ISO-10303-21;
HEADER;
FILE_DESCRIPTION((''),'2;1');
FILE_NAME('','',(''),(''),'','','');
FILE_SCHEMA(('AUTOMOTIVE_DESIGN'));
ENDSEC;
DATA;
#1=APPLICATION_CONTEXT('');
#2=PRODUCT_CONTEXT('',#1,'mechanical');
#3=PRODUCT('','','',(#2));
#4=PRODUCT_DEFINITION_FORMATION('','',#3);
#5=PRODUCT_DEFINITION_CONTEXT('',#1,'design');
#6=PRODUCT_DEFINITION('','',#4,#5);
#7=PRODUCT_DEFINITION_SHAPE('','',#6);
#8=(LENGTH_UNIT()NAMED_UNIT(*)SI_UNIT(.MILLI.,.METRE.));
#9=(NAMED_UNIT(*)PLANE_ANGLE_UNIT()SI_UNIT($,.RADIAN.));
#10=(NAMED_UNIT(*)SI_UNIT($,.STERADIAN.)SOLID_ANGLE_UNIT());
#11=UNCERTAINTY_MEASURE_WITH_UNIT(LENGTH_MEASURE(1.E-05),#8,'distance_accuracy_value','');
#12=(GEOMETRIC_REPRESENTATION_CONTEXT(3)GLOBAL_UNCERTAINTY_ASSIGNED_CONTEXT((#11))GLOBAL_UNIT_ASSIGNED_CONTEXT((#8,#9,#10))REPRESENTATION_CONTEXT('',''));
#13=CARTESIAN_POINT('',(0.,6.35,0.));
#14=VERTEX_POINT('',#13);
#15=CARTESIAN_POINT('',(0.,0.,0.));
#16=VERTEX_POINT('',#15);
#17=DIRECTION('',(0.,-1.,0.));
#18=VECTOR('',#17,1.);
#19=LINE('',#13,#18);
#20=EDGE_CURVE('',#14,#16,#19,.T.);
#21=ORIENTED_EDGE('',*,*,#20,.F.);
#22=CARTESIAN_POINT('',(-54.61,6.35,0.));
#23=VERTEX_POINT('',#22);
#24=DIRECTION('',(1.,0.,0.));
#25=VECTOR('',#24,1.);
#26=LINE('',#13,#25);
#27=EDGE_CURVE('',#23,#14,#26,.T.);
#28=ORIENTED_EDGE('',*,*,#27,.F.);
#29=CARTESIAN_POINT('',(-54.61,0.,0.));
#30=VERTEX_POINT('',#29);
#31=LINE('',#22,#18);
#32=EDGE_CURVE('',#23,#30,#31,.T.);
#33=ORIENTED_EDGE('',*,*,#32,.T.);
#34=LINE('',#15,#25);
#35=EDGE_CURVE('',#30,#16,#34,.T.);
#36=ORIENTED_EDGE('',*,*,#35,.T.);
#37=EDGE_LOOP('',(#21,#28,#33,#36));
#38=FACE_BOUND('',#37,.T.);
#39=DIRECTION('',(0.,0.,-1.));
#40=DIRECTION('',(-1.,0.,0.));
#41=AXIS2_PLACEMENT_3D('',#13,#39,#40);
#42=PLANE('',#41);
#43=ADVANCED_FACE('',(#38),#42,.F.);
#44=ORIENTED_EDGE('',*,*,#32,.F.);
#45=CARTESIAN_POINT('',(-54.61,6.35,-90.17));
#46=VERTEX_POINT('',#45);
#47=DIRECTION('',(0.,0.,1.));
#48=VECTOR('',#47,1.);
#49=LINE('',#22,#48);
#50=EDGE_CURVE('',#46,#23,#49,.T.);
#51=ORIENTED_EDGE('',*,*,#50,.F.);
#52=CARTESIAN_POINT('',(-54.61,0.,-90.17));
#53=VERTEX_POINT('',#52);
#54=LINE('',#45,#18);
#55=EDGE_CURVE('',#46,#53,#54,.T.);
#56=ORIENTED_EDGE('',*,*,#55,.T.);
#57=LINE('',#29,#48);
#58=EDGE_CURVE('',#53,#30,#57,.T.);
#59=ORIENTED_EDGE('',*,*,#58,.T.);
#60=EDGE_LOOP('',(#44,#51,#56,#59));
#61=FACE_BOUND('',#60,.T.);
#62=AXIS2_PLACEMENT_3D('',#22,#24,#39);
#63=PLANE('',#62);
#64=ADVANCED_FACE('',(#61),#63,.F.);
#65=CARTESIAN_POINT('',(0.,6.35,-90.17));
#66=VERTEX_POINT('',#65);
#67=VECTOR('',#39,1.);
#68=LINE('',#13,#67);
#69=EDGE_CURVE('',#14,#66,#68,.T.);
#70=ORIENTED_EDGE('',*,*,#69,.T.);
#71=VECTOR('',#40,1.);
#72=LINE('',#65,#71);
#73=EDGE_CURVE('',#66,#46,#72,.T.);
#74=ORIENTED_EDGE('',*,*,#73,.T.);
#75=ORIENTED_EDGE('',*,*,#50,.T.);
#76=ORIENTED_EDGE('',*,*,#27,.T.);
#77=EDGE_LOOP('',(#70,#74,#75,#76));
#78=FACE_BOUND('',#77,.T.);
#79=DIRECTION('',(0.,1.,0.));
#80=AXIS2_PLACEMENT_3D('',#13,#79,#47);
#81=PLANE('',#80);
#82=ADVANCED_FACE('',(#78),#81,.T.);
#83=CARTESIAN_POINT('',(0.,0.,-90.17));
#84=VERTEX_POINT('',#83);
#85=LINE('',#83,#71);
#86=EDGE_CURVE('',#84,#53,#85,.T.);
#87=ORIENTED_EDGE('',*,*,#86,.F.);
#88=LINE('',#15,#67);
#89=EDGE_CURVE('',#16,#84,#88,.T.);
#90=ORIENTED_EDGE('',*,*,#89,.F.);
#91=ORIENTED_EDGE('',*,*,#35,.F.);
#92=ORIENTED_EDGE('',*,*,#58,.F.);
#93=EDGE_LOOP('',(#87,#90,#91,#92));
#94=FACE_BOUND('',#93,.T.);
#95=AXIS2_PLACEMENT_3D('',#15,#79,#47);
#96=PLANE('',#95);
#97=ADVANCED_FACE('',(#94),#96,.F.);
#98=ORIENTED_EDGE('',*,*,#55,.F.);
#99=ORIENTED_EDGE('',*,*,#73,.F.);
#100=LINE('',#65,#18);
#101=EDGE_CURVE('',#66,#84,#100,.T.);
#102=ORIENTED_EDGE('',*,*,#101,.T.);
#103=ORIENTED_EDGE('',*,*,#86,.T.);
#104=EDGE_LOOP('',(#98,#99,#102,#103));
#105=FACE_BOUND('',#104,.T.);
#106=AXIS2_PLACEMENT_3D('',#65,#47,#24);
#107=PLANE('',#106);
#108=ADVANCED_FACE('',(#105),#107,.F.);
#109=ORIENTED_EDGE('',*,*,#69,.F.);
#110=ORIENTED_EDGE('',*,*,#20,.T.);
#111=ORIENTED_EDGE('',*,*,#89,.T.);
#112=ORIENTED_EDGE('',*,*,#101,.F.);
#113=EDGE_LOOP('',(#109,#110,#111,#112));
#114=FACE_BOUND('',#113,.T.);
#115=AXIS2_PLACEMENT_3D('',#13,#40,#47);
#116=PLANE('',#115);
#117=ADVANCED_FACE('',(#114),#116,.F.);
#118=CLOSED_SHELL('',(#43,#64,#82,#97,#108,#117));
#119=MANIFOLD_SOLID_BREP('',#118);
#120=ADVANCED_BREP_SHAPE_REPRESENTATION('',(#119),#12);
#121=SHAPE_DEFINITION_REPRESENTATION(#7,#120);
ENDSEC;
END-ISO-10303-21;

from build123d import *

# Parameters (mm, degrees)
SKETCH1_W           = 54.61
SKETCH1_H           = 90.17
BOSS_EXTRUDE1_DEPTH = 6.35
SKETCH3_W           = 54.61
SKETCH3_H           = 6.35
BOSS_EXTRUDE2_DEPTH = 90.17


with BuildPart() as part:
    # Sketch1 → Boss-Extrude1 (new body)
    with BuildSketch(Plane(origin=(0, 0, 0), x_dir=(1, 0, 0), z_dir=(0, 1, 0))):
        with Locations((-27.305, 45.085)):
            Rectangle(SKETCH1_W, SKETCH1_H)
    extrude(amount=BOSS_EXTRUDE1_DEPTH)

    # Sketch3 → Boss-Extrude2 (add)
    with BuildSketch(Plane.XY):
        with Locations((-27.305, 3.175)):
            Rectangle(SKETCH3_W, SKETCH3_H)
    extrude(amount=-BOSS_EXTRUDE2_DEPTH)


solid = part.part
